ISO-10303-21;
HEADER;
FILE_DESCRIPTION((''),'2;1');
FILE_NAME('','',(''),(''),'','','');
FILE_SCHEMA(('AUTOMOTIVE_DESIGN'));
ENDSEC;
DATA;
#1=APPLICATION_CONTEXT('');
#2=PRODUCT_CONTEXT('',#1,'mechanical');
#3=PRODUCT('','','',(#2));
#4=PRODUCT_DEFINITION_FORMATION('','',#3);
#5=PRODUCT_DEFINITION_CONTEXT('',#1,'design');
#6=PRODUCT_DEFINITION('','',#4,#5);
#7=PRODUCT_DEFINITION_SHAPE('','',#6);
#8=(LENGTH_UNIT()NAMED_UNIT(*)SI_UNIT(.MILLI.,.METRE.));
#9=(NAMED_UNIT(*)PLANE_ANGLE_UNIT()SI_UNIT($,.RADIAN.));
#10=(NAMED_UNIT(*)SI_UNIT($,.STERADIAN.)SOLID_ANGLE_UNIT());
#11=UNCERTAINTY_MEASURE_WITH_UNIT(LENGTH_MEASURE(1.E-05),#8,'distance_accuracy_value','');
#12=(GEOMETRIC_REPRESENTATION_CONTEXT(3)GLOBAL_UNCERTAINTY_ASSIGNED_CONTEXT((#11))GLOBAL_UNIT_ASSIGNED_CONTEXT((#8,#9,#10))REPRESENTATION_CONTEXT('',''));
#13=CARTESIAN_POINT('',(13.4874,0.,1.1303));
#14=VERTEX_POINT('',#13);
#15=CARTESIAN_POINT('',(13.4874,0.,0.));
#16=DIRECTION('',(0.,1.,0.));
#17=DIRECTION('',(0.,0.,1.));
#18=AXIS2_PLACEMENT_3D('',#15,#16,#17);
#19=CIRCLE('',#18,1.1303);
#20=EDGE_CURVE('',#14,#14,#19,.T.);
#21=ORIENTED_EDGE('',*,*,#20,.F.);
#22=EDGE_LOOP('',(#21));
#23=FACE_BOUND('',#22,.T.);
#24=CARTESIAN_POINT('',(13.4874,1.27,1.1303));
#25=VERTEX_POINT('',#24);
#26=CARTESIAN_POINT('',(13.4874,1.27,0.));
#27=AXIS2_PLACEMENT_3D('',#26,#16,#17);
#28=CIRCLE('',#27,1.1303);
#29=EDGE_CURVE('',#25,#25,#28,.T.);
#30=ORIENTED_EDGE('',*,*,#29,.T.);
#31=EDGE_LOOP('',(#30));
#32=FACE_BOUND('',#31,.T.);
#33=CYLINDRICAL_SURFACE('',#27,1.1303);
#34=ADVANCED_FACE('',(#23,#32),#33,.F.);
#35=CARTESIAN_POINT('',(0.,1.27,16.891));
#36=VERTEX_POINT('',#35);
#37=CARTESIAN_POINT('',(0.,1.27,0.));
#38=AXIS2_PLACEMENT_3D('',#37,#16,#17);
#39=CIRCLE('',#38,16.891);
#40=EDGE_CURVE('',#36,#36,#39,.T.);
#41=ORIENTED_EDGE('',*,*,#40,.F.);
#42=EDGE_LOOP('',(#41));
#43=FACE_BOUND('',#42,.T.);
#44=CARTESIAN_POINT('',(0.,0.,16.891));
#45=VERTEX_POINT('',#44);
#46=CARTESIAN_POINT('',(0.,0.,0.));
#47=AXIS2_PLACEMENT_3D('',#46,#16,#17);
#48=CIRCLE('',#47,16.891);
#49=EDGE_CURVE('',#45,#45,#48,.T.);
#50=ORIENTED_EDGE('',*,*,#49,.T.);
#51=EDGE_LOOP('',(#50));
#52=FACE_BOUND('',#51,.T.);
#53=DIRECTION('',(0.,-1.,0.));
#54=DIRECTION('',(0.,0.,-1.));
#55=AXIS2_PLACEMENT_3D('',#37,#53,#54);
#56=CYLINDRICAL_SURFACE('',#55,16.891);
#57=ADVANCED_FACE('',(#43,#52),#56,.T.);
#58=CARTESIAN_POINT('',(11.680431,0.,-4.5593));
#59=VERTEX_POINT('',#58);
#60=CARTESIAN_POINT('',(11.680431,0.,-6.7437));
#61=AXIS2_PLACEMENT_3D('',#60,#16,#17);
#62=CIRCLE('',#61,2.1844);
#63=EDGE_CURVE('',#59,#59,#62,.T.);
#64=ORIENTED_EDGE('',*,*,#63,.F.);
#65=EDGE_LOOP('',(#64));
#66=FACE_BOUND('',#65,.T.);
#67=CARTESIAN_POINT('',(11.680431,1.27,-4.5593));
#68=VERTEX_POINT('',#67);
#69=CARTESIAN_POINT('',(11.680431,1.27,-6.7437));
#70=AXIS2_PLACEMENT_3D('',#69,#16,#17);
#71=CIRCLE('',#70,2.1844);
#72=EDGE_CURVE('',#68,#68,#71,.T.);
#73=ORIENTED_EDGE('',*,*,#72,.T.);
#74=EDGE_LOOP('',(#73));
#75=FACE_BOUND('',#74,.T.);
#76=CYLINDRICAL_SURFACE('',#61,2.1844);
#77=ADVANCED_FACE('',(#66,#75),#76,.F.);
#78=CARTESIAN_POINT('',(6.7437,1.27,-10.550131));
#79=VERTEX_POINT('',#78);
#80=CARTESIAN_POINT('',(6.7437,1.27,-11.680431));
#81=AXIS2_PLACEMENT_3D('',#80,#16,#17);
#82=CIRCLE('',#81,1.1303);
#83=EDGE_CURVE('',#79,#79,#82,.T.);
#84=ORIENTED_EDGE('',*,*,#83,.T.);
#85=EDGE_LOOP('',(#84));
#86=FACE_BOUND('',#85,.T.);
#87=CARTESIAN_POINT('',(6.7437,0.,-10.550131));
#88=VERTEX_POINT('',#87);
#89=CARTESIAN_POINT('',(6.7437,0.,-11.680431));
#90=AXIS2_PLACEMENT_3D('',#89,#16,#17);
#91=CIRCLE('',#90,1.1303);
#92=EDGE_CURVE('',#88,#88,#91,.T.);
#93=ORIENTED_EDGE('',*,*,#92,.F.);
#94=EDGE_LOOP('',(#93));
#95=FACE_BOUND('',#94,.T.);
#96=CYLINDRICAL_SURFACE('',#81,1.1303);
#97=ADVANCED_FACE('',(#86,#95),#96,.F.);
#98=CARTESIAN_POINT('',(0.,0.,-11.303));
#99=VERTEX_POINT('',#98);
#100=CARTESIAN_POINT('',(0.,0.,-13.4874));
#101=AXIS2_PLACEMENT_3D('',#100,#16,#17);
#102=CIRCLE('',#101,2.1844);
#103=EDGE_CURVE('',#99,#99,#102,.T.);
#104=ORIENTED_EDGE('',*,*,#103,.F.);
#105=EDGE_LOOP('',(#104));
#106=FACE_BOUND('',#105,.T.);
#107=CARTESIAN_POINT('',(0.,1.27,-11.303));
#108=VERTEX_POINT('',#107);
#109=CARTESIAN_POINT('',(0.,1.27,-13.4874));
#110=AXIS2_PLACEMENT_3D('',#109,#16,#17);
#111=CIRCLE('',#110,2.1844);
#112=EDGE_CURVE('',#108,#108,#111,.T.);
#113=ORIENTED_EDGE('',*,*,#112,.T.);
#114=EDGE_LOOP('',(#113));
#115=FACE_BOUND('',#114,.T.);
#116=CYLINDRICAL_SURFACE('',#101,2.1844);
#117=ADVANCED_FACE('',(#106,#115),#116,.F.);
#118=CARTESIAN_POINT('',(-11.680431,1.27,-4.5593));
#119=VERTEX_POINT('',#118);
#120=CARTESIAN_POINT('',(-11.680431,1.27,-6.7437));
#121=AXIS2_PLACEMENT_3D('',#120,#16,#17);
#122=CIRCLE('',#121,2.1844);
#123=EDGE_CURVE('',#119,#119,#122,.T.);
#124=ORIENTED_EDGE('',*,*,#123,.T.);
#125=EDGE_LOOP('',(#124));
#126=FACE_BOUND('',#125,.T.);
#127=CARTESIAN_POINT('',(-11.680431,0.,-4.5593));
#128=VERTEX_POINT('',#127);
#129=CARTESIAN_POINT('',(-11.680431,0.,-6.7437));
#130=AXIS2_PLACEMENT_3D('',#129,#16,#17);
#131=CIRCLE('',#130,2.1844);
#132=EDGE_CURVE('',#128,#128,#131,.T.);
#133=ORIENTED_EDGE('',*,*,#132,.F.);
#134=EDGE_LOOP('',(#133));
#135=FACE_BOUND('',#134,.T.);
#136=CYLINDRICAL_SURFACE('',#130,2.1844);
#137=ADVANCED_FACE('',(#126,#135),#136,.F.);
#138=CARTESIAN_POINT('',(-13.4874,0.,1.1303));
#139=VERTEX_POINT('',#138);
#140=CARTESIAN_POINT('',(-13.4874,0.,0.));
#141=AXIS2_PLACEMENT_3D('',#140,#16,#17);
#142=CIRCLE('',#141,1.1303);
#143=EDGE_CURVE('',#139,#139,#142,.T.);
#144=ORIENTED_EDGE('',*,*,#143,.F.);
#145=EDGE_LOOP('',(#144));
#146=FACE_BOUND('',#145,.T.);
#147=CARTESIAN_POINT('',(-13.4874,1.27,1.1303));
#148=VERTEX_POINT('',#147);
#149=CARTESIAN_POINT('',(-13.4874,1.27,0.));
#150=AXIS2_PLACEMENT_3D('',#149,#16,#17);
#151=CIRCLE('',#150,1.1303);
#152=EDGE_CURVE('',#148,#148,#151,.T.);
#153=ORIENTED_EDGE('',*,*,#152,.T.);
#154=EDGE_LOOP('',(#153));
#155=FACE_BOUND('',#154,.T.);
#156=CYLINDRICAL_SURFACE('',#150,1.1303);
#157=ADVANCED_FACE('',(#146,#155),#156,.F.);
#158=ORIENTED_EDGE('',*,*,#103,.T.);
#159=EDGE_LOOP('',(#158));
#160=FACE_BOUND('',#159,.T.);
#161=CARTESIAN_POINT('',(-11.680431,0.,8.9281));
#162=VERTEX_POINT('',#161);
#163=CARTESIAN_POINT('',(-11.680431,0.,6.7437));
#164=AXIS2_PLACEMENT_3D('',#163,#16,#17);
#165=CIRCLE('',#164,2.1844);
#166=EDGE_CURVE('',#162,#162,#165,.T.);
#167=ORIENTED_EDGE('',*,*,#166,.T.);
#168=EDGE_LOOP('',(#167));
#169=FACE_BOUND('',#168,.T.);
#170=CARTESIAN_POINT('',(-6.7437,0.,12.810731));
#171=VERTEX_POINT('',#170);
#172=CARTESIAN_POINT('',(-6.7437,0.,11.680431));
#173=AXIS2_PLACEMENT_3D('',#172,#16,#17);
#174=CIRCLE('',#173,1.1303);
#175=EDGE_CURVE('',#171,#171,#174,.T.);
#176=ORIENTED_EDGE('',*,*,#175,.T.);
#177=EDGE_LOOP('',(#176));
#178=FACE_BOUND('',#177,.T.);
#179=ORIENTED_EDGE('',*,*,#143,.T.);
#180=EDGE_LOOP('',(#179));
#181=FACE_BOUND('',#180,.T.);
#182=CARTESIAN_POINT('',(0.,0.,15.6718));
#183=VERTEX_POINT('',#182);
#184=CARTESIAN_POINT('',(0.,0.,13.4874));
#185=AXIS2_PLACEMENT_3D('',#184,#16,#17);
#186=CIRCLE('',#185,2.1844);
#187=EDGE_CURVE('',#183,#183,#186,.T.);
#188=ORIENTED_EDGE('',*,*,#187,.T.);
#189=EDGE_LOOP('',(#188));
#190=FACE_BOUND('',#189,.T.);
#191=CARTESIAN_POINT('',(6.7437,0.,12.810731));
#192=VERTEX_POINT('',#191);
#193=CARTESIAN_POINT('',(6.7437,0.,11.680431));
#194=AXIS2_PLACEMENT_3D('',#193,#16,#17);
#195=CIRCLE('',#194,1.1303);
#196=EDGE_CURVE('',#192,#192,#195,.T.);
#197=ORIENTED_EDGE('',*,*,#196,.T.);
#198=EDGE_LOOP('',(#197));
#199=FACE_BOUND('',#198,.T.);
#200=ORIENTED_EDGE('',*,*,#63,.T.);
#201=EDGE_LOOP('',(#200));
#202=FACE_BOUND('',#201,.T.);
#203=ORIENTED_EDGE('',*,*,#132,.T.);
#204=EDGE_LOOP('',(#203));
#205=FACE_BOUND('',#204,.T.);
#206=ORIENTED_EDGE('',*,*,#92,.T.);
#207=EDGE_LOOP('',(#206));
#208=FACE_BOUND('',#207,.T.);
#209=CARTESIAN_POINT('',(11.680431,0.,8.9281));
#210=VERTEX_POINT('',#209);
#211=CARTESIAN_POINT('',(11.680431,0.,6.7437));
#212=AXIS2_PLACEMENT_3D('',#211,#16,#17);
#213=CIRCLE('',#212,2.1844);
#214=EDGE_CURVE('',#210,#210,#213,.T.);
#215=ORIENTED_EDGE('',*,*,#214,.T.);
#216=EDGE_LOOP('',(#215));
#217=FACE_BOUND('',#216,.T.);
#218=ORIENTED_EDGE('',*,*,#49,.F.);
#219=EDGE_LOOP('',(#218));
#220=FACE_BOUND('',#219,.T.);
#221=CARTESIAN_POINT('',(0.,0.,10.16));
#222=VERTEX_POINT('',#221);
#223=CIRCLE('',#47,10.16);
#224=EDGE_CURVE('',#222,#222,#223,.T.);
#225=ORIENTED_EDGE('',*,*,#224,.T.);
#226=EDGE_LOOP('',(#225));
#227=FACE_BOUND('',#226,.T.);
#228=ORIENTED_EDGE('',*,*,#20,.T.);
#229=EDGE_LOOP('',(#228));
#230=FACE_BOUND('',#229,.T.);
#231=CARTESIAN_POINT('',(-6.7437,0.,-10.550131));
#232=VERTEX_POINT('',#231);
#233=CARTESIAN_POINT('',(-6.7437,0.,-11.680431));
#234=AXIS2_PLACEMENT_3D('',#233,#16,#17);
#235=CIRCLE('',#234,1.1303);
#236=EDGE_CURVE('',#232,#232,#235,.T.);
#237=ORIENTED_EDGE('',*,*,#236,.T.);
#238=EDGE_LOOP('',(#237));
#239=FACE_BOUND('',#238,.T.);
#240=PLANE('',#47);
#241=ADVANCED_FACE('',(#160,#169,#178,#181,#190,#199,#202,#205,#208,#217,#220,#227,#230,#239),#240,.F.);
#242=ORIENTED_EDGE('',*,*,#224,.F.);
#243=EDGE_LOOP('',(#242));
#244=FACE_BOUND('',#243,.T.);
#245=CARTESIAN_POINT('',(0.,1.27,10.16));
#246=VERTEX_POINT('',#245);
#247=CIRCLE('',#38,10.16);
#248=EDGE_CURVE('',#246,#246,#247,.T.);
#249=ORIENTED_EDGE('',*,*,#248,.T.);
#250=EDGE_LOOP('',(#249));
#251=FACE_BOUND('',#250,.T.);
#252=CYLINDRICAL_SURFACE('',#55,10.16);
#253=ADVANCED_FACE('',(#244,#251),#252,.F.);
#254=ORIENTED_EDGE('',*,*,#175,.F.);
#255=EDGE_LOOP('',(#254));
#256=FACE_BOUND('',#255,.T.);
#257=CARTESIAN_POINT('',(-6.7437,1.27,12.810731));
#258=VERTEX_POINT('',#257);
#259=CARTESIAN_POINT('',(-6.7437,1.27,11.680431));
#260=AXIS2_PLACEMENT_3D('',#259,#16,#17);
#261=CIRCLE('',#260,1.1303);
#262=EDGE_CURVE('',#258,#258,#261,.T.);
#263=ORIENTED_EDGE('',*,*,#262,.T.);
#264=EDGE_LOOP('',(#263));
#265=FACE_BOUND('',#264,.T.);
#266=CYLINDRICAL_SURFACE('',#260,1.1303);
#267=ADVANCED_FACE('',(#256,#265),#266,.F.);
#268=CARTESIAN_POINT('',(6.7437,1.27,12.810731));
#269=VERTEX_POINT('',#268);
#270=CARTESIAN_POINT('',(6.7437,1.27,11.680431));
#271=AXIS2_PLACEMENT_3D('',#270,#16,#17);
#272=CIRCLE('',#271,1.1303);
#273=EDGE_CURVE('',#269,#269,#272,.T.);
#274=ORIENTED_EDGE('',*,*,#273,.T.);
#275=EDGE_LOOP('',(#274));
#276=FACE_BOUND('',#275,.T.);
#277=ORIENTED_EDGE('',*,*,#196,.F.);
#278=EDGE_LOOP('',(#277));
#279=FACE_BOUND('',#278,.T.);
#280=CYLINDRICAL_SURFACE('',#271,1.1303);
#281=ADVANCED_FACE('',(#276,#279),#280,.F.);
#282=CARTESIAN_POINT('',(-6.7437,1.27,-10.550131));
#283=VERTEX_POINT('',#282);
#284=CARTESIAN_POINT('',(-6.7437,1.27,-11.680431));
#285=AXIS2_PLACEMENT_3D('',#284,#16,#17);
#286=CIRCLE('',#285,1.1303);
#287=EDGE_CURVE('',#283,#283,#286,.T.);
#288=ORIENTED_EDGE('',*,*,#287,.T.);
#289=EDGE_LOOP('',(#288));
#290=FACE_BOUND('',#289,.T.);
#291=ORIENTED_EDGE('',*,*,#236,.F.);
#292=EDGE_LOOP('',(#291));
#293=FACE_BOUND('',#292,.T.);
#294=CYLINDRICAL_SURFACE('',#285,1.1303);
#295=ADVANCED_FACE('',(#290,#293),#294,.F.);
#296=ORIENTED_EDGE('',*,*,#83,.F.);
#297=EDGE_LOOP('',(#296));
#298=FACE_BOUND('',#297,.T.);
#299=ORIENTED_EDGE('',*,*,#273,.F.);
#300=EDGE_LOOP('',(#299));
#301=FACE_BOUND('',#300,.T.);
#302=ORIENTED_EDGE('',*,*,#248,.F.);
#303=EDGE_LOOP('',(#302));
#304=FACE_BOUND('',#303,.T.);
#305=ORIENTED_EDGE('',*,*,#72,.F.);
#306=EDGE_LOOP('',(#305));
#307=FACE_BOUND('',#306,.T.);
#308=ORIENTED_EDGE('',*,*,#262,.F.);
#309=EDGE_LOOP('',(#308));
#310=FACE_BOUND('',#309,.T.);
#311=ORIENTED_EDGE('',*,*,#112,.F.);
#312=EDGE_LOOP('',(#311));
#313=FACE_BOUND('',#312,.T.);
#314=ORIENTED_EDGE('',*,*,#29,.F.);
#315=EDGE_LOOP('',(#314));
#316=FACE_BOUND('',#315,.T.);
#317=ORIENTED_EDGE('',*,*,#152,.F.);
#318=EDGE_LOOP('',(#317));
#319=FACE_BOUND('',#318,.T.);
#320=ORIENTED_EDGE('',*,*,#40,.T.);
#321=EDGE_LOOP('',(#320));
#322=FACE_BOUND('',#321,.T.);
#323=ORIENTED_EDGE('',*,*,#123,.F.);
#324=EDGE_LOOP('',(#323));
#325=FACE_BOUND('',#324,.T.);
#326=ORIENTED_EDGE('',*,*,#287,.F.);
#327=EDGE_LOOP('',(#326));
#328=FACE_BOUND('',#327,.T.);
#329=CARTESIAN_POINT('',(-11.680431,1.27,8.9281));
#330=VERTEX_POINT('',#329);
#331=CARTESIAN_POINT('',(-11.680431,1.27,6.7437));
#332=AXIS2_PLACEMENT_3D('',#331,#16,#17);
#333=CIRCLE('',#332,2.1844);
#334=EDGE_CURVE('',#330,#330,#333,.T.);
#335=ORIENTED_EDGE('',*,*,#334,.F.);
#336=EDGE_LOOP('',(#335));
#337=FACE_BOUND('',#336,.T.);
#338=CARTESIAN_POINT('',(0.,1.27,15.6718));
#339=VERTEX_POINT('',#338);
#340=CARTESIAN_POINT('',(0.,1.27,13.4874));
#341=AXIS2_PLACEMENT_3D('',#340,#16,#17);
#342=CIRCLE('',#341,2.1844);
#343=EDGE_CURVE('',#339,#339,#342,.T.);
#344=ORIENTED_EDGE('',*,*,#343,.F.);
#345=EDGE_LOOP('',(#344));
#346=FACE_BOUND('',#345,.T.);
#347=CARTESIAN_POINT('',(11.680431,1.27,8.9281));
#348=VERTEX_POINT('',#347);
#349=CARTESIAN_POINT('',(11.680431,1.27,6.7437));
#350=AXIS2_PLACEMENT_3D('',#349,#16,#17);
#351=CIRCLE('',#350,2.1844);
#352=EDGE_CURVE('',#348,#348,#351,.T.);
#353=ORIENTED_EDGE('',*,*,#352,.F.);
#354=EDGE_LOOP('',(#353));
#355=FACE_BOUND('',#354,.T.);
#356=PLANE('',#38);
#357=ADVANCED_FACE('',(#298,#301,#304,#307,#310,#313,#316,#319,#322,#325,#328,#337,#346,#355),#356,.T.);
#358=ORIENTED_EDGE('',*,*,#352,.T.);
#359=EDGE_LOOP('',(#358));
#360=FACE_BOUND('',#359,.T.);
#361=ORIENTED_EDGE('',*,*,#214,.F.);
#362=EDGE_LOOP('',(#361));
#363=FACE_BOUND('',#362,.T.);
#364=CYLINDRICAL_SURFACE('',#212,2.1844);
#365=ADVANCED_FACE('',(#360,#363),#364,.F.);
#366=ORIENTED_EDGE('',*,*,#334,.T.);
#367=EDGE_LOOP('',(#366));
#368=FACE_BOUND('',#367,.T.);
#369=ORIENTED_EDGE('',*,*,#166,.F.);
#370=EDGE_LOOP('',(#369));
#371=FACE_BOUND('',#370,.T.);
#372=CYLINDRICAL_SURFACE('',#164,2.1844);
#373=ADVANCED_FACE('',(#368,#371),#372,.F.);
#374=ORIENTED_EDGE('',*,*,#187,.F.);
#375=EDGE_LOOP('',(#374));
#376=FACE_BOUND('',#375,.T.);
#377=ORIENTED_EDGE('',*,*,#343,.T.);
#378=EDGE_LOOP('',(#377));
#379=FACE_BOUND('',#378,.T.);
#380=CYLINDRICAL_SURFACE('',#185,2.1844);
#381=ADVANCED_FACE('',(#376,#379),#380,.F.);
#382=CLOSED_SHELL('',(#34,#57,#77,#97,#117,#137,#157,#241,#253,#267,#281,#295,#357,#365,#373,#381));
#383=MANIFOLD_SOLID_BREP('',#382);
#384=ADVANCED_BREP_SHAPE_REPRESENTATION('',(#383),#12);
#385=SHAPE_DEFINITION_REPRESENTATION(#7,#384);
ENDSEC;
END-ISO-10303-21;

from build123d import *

# Parameters (mm, degrees)
SKETCH1_R             = 16.891
SKETCH1_R_2           = 10.16
BOSS_EXTRUDE1_DEPTH   = 1.27
SKETCH2_R             = 2.1844
CUT_EXTRUDE1_DEPTH    = 2.27
F_4_40_TAPPED_HOLE1_D = 2.2606


with BuildPart() as part:
    # Sketch1 → Boss-Extrude1 (new body)
    with BuildSketch(Plane(origin=(0, 0, 0), x_dir=(1, 0, 0), z_dir=(0, 1, 0))):
        Circle(SKETCH1_R)
        Circle(SKETCH1_R_2, mode=Mode.SUBTRACT)
    extrude(amount=BOSS_EXTRUDE1_DEPTH)

    # Sketch2 → Cut-Extrude1 (cut, through all)
    with BuildSketch(Plane(origin=(0, 1.27, 0), x_dir=(1, 0, 0), z_dir=(0, 1, 0))):
        with Locations((0, 13.4874)):
            Circle(SKETCH2_R)
        with Locations((-11.680431031, 6.7437)):
            Circle(SKETCH2_R)
        with Locations((-11.680431031, -6.7437)):
            Circle(SKETCH2_R)
        with Locations((0, -13.4874)):
            Circle(SKETCH2_R)
        with Locations((11.680431031, -6.7437)):
            Circle(SKETCH2_R)
        with Locations((11.680431031, 6.7437)):
            Circle(SKETCH2_R)
    extrude(amount=-CUT_EXTRUDE1_DEPTH, mode=Mode.SUBTRACT)

    # #4-40 Tapped Hole1 (through all)
    with Locations(Plane(origin=(0, 1.27, 0), x_dir=(1, 0, 0), z_dir=(0, 1, 0))):
        with Locations((0, 0), (-6.7437, 11.680431031), (6.7437, 11.680431031), (13.4874, 0), (6.7437, -11.680431031), (-6.7437, -11.680431031), (-13.4874, 0)):
            Hole(F_4_40_TAPPED_HOLE1_D / 2)


solid = part.part
